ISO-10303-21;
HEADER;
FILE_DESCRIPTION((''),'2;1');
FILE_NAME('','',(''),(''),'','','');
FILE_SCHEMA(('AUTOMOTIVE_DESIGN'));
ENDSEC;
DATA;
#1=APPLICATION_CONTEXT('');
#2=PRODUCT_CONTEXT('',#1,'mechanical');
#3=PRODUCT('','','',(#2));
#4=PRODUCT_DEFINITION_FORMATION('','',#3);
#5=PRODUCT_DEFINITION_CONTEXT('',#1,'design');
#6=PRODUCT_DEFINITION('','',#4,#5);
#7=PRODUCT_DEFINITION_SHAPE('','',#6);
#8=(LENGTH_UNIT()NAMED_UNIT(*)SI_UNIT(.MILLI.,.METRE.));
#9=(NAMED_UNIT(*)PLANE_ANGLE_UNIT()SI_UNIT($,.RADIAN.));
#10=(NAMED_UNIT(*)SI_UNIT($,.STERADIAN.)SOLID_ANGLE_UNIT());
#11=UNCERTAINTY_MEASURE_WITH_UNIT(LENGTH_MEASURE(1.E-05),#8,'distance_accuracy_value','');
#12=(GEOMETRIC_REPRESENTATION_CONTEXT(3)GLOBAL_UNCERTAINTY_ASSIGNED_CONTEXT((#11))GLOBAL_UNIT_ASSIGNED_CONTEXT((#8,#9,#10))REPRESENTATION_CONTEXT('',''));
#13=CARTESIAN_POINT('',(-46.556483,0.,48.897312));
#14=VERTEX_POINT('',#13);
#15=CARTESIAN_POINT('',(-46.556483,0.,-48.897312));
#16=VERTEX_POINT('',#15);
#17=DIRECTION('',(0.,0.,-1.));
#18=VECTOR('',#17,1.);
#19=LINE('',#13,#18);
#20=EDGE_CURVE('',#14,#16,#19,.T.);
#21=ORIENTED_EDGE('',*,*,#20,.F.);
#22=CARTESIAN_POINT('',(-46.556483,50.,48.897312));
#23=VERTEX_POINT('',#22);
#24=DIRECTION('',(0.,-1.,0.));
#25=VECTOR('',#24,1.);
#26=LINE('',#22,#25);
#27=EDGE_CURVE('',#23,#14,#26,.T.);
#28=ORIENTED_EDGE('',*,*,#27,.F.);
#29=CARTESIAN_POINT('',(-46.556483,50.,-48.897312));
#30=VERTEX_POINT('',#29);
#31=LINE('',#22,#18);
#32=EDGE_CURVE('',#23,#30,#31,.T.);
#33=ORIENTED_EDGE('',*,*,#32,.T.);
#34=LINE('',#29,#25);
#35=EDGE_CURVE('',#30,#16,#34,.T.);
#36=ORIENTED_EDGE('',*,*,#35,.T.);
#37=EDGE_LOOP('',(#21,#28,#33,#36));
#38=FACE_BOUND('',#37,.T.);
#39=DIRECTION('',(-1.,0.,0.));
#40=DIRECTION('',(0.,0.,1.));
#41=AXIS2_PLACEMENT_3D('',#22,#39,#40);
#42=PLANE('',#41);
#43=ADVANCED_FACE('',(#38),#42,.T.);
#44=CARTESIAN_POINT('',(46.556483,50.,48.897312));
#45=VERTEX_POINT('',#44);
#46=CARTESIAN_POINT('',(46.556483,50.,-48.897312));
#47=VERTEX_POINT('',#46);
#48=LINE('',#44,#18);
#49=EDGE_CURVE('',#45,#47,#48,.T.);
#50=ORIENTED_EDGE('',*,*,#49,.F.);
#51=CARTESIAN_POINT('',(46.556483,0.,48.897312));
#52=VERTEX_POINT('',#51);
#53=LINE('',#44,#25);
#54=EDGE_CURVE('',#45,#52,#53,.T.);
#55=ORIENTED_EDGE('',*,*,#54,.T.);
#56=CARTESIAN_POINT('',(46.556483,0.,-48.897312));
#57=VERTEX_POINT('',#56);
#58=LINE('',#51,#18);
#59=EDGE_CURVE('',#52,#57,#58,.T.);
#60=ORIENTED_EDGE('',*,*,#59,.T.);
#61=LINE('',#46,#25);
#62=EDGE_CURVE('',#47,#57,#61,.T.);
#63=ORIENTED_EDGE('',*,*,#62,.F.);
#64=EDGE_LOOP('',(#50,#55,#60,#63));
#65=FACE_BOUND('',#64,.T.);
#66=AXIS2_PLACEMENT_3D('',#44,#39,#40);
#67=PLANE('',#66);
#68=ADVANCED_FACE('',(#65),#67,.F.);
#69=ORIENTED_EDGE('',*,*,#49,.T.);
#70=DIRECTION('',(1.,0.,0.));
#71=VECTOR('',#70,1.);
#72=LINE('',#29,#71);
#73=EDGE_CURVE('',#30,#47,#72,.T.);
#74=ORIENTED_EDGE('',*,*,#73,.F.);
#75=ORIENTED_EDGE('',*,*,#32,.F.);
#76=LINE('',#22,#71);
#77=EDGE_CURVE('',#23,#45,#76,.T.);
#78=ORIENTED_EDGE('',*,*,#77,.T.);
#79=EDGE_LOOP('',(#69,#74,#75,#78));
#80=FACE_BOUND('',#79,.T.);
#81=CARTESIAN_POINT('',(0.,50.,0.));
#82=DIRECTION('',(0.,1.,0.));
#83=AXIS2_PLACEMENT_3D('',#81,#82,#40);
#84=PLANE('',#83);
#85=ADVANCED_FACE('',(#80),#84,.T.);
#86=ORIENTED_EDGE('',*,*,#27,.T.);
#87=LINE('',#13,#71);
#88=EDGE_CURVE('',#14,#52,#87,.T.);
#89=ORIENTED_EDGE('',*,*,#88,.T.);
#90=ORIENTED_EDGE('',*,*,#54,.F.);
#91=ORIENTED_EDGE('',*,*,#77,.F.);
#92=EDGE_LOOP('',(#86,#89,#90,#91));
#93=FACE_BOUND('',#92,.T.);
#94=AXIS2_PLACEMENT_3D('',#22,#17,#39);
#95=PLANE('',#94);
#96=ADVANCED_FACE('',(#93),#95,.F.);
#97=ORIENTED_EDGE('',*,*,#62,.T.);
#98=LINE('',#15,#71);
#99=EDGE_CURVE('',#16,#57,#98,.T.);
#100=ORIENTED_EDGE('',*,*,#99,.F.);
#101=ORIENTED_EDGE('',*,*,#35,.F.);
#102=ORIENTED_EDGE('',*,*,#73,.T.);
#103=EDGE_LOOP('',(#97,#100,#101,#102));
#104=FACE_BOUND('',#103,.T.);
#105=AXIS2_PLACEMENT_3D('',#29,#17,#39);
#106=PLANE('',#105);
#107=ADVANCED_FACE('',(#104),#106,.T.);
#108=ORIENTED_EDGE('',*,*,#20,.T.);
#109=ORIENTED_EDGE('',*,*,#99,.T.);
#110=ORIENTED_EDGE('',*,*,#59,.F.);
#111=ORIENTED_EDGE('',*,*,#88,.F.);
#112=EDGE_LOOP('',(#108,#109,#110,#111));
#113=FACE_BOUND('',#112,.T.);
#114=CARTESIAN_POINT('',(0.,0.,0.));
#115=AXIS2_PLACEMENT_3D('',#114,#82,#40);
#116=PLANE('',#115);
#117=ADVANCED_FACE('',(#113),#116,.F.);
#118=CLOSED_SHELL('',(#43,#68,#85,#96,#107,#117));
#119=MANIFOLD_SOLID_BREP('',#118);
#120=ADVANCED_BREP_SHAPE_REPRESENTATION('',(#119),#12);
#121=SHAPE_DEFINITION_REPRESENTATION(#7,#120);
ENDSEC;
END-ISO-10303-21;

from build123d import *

# Parameters (mm, degrees)
SKETCH3_R           = 28.360772796
BOSS_EXTRUDE4_DEPTH = 50
SKETCH3_2_W         = 93.112965828
SKETCH3_2_H         = 97.794623328
SKETCH3_2_R         = 28.360772796
BOSS_EXTRUDE5_DEPTH = 50


with BuildPart() as part:
    # Sketch3 → Boss-Extrude4 (new body)
    with BuildSketch(Plane(origin=(0, 0, 0), x_dir=(1, 0, 0), z_dir=(0, 1, 0))):
        Circle(SKETCH3_R)
    extrude(amount=BOSS_EXTRUDE4_DEPTH)

    # Sketch3<2> → Boss-Extrude5 (add)
    with BuildSketch(Plane(origin=(0, 0, 0), x_dir=(1, 0, 0), z_dir=(0, 1, 0))):
        Rectangle(SKETCH3_2_W, SKETCH3_2_H)
        Circle(SKETCH3_2_R, mode=Mode.SUBTRACT)
    extrude(amount=BOSS_EXTRUDE5_DEPTH)


solid = part.part
